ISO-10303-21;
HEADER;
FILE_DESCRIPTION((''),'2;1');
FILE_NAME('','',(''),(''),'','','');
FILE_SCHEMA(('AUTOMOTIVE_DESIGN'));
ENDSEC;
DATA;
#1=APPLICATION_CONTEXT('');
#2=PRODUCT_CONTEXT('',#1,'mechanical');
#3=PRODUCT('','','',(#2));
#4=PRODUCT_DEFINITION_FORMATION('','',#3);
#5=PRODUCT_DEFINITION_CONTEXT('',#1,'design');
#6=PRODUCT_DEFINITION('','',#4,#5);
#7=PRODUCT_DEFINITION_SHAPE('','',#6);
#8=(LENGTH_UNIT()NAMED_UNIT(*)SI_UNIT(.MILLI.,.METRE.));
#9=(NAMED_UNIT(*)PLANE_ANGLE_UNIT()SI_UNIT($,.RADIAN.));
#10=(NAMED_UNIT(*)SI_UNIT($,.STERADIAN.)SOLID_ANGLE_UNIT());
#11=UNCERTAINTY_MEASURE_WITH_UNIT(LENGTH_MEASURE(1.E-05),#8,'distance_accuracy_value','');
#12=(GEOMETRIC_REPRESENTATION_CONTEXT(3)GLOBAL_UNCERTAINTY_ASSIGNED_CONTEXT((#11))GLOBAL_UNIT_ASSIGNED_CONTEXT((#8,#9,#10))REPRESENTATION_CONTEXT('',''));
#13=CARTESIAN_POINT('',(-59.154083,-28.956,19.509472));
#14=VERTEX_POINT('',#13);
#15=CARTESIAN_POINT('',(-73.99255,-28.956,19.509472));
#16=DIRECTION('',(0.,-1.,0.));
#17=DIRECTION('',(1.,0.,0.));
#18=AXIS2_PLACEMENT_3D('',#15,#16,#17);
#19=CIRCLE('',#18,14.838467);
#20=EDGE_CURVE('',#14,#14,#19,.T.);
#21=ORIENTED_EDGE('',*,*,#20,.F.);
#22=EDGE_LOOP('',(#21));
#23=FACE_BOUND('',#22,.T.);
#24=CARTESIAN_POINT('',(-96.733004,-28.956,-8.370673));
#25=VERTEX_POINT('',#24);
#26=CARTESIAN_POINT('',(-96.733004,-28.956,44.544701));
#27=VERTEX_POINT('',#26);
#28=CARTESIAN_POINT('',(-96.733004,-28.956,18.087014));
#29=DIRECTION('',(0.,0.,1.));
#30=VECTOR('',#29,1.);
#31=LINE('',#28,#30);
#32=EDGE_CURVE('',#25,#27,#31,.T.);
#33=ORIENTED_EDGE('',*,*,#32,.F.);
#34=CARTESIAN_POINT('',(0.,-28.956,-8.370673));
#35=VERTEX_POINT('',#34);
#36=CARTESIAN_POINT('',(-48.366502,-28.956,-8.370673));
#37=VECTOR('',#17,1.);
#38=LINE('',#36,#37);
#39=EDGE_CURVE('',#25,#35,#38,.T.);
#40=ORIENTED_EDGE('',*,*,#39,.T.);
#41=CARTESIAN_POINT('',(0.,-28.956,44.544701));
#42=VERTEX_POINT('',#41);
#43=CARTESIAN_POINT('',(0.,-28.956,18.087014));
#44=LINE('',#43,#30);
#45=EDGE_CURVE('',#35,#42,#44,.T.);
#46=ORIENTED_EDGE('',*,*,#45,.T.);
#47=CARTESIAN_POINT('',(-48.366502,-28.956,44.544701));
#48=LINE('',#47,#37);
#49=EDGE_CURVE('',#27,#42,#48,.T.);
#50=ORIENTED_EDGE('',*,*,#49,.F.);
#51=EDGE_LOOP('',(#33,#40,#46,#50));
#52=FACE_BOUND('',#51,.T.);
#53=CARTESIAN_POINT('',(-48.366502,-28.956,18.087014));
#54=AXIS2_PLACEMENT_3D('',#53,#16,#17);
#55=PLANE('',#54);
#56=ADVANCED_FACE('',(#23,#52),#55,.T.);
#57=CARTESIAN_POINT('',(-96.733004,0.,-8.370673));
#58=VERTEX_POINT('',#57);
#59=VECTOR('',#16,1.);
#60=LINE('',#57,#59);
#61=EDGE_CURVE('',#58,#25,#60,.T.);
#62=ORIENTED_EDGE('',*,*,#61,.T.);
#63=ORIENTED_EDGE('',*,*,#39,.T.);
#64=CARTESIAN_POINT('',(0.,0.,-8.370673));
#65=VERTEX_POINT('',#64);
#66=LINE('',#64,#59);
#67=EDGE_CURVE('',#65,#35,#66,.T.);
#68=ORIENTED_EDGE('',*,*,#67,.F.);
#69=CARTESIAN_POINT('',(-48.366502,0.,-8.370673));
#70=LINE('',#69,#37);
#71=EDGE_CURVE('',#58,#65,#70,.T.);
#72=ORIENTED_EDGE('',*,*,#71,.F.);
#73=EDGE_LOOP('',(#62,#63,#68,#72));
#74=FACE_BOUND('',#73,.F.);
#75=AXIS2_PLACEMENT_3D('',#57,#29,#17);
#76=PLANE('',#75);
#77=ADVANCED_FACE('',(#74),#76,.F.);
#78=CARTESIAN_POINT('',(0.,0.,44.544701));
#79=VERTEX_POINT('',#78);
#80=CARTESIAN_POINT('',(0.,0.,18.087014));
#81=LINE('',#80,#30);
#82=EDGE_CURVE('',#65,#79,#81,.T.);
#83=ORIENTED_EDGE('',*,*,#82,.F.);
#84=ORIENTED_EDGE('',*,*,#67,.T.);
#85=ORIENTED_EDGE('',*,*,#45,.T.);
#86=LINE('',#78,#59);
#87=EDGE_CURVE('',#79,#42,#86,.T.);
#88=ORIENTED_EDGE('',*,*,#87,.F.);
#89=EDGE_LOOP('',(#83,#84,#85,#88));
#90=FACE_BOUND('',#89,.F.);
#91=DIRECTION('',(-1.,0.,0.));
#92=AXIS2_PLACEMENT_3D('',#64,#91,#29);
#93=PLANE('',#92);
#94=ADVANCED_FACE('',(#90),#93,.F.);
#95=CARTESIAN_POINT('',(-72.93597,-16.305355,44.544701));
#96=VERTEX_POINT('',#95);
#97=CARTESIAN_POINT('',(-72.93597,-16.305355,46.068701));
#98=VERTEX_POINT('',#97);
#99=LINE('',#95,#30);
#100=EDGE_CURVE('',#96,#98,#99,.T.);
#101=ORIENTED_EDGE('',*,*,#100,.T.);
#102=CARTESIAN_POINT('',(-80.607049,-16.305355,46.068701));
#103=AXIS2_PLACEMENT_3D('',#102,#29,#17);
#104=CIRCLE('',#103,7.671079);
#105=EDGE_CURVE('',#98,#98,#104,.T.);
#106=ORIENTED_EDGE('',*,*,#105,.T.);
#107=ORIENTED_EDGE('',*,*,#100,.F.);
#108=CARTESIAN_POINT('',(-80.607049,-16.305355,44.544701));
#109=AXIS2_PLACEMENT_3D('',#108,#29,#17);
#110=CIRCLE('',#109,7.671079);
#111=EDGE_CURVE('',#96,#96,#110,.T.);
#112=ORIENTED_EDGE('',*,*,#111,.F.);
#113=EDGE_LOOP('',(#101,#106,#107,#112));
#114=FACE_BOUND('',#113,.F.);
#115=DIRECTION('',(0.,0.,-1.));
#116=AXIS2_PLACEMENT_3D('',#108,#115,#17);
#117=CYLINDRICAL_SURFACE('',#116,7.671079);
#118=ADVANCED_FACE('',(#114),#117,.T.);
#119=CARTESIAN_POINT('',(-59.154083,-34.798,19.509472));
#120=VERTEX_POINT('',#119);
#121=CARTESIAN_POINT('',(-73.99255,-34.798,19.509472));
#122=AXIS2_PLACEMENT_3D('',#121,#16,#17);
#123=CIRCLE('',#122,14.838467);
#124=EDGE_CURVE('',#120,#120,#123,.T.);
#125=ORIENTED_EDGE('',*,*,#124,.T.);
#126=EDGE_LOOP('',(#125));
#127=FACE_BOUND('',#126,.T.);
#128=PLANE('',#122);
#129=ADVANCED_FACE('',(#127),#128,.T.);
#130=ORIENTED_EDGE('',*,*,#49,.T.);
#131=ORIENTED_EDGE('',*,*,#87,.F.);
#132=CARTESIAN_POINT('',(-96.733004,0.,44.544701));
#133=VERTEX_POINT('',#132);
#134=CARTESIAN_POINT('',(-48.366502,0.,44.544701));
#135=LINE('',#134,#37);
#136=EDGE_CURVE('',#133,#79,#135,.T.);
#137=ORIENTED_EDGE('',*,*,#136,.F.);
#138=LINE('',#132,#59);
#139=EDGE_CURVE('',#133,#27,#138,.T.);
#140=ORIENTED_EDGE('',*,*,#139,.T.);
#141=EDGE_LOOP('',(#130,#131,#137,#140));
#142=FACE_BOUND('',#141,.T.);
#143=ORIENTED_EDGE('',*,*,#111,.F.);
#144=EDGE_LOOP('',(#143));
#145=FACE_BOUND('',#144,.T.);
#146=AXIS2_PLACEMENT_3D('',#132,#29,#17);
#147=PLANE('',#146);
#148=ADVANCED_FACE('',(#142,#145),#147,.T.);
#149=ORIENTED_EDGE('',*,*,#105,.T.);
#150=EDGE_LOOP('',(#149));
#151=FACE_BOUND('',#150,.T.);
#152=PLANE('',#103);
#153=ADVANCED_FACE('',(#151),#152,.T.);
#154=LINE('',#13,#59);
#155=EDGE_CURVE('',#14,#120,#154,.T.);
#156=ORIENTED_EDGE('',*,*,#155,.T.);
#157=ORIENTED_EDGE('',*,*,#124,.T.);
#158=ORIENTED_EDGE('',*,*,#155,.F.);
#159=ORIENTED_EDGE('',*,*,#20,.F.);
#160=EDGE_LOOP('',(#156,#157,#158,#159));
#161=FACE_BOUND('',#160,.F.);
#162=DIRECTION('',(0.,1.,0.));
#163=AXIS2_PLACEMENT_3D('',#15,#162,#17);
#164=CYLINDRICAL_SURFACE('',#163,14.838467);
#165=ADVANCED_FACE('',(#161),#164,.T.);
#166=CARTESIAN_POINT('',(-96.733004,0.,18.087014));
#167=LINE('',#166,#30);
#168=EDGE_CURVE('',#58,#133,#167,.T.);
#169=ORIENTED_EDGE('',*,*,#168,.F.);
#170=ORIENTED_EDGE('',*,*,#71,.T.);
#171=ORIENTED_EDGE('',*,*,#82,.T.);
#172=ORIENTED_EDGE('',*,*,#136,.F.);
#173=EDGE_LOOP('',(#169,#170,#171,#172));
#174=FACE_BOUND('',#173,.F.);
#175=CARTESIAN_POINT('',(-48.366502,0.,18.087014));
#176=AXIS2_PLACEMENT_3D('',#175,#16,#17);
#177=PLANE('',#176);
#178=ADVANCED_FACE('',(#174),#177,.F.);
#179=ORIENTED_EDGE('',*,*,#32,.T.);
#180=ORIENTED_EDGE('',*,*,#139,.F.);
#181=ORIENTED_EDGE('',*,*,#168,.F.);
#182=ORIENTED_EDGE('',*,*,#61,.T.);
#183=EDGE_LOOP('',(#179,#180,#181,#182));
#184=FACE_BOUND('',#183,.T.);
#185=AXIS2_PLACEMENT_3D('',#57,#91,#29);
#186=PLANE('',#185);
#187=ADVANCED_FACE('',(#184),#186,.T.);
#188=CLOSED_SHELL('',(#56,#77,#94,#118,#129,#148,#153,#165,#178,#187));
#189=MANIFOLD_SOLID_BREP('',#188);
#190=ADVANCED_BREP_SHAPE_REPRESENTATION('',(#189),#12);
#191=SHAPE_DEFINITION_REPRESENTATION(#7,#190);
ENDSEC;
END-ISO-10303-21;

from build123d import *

# Parameters (mm, degrees)
F0_W     = 96.733004
F0_H     = 52.915374
F1_DEPTH = 28.956
F2_R     = 14.838467
F3_DEPTH = 5.842
F4_R     = 7.671079
F5_DEPTH = 1.524


with BuildPart() as f1:
    # F0 (on Front) → F1 (new body)
    with BuildSketch(Plane.XZ):
        with Locations((-48.366502, 18.087014)):
            Rectangle(F0_W, F0_H)
    extrude(amount=F1_DEPTH)

    # F2 (on face) → F3 (join)
    with BuildSketch(Plane.XZ.offset(28.956)):
        with Locations((-73.99255, 19.509472)):
            Circle(F2_R)
    extrude(amount=F3_DEPTH)

    # F4 (on face) → F5 (join)
    with BuildSketch(Plane.XY.offset(44.544701)):
        with Locations((-80.607049, -16.305355)):
            Circle(F4_R)
    extrude(amount=F5_DEPTH)


solid = f1.part
